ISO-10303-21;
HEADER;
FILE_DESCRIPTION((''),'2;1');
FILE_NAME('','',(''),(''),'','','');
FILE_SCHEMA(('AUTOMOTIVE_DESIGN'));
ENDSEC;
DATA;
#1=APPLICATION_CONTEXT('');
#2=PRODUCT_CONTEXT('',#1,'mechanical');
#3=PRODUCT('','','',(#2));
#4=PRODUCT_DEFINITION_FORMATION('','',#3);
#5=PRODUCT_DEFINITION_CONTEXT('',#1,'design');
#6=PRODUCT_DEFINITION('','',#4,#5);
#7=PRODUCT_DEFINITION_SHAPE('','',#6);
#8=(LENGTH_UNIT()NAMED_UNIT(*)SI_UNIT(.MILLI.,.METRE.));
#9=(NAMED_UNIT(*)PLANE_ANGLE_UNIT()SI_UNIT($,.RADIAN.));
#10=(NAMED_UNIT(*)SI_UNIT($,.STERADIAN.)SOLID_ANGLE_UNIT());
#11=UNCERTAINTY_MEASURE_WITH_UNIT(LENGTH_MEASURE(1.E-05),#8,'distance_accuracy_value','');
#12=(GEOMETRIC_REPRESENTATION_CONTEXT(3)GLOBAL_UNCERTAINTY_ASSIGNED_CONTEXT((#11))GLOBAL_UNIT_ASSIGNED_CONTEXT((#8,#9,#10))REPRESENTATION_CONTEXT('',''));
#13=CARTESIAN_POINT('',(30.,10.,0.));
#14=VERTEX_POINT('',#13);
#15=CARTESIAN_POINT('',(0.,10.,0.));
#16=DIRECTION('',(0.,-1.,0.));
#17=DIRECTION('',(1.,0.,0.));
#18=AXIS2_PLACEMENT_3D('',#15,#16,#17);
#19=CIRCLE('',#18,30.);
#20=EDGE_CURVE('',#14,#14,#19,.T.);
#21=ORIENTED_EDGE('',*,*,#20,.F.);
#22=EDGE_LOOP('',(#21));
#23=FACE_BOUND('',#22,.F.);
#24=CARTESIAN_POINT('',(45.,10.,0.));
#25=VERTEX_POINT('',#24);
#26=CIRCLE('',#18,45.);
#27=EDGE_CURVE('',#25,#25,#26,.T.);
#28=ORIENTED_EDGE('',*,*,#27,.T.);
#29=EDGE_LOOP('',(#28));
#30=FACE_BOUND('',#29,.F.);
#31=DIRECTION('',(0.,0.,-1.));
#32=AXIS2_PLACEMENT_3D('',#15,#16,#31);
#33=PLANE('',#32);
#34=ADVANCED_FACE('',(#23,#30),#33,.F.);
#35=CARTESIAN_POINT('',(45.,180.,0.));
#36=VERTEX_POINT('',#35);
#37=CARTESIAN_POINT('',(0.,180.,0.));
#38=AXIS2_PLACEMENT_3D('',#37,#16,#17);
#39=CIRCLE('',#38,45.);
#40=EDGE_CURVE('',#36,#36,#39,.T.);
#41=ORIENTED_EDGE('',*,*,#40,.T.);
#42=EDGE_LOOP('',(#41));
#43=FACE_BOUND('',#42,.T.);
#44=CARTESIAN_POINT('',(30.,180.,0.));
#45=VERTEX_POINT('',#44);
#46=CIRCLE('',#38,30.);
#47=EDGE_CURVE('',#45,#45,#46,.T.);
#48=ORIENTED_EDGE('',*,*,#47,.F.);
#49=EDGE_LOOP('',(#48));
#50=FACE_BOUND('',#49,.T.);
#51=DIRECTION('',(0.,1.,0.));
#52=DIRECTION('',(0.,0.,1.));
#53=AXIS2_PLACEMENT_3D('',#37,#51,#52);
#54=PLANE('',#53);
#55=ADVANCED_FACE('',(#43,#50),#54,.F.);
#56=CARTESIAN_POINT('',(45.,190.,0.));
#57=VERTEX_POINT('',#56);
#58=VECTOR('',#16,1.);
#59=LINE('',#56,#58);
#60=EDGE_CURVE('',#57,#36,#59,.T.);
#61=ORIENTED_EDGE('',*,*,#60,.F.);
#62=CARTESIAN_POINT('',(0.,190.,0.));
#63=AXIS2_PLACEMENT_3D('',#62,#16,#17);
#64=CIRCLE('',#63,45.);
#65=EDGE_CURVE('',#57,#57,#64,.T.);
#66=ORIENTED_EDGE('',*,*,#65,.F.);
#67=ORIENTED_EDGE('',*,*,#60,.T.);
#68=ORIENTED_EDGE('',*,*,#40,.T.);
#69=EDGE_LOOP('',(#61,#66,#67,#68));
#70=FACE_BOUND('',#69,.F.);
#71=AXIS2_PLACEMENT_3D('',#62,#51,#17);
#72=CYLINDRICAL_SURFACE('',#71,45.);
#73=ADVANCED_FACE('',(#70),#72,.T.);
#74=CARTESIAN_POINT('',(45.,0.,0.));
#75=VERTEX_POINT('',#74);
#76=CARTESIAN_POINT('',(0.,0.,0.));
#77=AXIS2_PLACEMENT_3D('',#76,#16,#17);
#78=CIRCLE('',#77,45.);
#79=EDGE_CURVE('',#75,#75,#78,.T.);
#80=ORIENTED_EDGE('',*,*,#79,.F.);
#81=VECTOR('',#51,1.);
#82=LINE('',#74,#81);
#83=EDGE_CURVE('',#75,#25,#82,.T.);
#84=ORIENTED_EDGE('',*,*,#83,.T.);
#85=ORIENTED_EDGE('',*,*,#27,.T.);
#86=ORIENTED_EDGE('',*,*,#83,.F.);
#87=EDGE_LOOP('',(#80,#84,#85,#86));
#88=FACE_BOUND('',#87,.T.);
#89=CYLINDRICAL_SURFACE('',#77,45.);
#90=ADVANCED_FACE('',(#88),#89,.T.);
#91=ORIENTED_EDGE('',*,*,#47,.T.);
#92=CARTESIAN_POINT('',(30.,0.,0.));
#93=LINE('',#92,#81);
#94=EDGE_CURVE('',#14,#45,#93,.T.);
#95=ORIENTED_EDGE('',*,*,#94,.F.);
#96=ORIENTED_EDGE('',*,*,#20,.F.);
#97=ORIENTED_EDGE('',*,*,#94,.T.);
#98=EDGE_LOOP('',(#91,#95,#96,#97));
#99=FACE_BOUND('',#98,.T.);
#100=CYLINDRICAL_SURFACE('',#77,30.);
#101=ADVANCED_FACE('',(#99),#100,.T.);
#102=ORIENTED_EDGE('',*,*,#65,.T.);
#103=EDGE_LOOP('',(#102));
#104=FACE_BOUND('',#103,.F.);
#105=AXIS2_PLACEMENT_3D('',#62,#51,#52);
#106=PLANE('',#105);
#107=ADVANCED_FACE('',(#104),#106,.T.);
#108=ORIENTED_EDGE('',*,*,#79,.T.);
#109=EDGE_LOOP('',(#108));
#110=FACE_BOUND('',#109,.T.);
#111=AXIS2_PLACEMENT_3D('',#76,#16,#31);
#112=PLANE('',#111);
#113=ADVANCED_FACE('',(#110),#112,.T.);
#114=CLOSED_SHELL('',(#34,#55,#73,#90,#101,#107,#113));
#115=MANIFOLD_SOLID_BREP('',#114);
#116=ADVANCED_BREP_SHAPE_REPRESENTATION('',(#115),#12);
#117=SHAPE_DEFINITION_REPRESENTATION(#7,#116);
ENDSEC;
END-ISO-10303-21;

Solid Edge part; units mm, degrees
sketch "Sketch1" plane through (0, 0, 0) normal (0, -1, 0) x (1, 0, 0)
  circle A0 centre (0, 0) radius 30
extrude "Protrusion1" add sketch "Sketch1" against normal blind 190
sketch "Sketch2" plane through (0, 0, 0) normal (0, -1, 0) x (1, 0, 0)
  circle A0 centre (0, 0) radius 45
  dimension "D1" = 90
extrude "ExtrudedProtrusion_2" add sketch "Sketch2" against normal blind 10
mirror "Mirror1" about plane through (0, 95, 0) normal (0, -1, 0) of "ExtrudedProtrusion_2"
